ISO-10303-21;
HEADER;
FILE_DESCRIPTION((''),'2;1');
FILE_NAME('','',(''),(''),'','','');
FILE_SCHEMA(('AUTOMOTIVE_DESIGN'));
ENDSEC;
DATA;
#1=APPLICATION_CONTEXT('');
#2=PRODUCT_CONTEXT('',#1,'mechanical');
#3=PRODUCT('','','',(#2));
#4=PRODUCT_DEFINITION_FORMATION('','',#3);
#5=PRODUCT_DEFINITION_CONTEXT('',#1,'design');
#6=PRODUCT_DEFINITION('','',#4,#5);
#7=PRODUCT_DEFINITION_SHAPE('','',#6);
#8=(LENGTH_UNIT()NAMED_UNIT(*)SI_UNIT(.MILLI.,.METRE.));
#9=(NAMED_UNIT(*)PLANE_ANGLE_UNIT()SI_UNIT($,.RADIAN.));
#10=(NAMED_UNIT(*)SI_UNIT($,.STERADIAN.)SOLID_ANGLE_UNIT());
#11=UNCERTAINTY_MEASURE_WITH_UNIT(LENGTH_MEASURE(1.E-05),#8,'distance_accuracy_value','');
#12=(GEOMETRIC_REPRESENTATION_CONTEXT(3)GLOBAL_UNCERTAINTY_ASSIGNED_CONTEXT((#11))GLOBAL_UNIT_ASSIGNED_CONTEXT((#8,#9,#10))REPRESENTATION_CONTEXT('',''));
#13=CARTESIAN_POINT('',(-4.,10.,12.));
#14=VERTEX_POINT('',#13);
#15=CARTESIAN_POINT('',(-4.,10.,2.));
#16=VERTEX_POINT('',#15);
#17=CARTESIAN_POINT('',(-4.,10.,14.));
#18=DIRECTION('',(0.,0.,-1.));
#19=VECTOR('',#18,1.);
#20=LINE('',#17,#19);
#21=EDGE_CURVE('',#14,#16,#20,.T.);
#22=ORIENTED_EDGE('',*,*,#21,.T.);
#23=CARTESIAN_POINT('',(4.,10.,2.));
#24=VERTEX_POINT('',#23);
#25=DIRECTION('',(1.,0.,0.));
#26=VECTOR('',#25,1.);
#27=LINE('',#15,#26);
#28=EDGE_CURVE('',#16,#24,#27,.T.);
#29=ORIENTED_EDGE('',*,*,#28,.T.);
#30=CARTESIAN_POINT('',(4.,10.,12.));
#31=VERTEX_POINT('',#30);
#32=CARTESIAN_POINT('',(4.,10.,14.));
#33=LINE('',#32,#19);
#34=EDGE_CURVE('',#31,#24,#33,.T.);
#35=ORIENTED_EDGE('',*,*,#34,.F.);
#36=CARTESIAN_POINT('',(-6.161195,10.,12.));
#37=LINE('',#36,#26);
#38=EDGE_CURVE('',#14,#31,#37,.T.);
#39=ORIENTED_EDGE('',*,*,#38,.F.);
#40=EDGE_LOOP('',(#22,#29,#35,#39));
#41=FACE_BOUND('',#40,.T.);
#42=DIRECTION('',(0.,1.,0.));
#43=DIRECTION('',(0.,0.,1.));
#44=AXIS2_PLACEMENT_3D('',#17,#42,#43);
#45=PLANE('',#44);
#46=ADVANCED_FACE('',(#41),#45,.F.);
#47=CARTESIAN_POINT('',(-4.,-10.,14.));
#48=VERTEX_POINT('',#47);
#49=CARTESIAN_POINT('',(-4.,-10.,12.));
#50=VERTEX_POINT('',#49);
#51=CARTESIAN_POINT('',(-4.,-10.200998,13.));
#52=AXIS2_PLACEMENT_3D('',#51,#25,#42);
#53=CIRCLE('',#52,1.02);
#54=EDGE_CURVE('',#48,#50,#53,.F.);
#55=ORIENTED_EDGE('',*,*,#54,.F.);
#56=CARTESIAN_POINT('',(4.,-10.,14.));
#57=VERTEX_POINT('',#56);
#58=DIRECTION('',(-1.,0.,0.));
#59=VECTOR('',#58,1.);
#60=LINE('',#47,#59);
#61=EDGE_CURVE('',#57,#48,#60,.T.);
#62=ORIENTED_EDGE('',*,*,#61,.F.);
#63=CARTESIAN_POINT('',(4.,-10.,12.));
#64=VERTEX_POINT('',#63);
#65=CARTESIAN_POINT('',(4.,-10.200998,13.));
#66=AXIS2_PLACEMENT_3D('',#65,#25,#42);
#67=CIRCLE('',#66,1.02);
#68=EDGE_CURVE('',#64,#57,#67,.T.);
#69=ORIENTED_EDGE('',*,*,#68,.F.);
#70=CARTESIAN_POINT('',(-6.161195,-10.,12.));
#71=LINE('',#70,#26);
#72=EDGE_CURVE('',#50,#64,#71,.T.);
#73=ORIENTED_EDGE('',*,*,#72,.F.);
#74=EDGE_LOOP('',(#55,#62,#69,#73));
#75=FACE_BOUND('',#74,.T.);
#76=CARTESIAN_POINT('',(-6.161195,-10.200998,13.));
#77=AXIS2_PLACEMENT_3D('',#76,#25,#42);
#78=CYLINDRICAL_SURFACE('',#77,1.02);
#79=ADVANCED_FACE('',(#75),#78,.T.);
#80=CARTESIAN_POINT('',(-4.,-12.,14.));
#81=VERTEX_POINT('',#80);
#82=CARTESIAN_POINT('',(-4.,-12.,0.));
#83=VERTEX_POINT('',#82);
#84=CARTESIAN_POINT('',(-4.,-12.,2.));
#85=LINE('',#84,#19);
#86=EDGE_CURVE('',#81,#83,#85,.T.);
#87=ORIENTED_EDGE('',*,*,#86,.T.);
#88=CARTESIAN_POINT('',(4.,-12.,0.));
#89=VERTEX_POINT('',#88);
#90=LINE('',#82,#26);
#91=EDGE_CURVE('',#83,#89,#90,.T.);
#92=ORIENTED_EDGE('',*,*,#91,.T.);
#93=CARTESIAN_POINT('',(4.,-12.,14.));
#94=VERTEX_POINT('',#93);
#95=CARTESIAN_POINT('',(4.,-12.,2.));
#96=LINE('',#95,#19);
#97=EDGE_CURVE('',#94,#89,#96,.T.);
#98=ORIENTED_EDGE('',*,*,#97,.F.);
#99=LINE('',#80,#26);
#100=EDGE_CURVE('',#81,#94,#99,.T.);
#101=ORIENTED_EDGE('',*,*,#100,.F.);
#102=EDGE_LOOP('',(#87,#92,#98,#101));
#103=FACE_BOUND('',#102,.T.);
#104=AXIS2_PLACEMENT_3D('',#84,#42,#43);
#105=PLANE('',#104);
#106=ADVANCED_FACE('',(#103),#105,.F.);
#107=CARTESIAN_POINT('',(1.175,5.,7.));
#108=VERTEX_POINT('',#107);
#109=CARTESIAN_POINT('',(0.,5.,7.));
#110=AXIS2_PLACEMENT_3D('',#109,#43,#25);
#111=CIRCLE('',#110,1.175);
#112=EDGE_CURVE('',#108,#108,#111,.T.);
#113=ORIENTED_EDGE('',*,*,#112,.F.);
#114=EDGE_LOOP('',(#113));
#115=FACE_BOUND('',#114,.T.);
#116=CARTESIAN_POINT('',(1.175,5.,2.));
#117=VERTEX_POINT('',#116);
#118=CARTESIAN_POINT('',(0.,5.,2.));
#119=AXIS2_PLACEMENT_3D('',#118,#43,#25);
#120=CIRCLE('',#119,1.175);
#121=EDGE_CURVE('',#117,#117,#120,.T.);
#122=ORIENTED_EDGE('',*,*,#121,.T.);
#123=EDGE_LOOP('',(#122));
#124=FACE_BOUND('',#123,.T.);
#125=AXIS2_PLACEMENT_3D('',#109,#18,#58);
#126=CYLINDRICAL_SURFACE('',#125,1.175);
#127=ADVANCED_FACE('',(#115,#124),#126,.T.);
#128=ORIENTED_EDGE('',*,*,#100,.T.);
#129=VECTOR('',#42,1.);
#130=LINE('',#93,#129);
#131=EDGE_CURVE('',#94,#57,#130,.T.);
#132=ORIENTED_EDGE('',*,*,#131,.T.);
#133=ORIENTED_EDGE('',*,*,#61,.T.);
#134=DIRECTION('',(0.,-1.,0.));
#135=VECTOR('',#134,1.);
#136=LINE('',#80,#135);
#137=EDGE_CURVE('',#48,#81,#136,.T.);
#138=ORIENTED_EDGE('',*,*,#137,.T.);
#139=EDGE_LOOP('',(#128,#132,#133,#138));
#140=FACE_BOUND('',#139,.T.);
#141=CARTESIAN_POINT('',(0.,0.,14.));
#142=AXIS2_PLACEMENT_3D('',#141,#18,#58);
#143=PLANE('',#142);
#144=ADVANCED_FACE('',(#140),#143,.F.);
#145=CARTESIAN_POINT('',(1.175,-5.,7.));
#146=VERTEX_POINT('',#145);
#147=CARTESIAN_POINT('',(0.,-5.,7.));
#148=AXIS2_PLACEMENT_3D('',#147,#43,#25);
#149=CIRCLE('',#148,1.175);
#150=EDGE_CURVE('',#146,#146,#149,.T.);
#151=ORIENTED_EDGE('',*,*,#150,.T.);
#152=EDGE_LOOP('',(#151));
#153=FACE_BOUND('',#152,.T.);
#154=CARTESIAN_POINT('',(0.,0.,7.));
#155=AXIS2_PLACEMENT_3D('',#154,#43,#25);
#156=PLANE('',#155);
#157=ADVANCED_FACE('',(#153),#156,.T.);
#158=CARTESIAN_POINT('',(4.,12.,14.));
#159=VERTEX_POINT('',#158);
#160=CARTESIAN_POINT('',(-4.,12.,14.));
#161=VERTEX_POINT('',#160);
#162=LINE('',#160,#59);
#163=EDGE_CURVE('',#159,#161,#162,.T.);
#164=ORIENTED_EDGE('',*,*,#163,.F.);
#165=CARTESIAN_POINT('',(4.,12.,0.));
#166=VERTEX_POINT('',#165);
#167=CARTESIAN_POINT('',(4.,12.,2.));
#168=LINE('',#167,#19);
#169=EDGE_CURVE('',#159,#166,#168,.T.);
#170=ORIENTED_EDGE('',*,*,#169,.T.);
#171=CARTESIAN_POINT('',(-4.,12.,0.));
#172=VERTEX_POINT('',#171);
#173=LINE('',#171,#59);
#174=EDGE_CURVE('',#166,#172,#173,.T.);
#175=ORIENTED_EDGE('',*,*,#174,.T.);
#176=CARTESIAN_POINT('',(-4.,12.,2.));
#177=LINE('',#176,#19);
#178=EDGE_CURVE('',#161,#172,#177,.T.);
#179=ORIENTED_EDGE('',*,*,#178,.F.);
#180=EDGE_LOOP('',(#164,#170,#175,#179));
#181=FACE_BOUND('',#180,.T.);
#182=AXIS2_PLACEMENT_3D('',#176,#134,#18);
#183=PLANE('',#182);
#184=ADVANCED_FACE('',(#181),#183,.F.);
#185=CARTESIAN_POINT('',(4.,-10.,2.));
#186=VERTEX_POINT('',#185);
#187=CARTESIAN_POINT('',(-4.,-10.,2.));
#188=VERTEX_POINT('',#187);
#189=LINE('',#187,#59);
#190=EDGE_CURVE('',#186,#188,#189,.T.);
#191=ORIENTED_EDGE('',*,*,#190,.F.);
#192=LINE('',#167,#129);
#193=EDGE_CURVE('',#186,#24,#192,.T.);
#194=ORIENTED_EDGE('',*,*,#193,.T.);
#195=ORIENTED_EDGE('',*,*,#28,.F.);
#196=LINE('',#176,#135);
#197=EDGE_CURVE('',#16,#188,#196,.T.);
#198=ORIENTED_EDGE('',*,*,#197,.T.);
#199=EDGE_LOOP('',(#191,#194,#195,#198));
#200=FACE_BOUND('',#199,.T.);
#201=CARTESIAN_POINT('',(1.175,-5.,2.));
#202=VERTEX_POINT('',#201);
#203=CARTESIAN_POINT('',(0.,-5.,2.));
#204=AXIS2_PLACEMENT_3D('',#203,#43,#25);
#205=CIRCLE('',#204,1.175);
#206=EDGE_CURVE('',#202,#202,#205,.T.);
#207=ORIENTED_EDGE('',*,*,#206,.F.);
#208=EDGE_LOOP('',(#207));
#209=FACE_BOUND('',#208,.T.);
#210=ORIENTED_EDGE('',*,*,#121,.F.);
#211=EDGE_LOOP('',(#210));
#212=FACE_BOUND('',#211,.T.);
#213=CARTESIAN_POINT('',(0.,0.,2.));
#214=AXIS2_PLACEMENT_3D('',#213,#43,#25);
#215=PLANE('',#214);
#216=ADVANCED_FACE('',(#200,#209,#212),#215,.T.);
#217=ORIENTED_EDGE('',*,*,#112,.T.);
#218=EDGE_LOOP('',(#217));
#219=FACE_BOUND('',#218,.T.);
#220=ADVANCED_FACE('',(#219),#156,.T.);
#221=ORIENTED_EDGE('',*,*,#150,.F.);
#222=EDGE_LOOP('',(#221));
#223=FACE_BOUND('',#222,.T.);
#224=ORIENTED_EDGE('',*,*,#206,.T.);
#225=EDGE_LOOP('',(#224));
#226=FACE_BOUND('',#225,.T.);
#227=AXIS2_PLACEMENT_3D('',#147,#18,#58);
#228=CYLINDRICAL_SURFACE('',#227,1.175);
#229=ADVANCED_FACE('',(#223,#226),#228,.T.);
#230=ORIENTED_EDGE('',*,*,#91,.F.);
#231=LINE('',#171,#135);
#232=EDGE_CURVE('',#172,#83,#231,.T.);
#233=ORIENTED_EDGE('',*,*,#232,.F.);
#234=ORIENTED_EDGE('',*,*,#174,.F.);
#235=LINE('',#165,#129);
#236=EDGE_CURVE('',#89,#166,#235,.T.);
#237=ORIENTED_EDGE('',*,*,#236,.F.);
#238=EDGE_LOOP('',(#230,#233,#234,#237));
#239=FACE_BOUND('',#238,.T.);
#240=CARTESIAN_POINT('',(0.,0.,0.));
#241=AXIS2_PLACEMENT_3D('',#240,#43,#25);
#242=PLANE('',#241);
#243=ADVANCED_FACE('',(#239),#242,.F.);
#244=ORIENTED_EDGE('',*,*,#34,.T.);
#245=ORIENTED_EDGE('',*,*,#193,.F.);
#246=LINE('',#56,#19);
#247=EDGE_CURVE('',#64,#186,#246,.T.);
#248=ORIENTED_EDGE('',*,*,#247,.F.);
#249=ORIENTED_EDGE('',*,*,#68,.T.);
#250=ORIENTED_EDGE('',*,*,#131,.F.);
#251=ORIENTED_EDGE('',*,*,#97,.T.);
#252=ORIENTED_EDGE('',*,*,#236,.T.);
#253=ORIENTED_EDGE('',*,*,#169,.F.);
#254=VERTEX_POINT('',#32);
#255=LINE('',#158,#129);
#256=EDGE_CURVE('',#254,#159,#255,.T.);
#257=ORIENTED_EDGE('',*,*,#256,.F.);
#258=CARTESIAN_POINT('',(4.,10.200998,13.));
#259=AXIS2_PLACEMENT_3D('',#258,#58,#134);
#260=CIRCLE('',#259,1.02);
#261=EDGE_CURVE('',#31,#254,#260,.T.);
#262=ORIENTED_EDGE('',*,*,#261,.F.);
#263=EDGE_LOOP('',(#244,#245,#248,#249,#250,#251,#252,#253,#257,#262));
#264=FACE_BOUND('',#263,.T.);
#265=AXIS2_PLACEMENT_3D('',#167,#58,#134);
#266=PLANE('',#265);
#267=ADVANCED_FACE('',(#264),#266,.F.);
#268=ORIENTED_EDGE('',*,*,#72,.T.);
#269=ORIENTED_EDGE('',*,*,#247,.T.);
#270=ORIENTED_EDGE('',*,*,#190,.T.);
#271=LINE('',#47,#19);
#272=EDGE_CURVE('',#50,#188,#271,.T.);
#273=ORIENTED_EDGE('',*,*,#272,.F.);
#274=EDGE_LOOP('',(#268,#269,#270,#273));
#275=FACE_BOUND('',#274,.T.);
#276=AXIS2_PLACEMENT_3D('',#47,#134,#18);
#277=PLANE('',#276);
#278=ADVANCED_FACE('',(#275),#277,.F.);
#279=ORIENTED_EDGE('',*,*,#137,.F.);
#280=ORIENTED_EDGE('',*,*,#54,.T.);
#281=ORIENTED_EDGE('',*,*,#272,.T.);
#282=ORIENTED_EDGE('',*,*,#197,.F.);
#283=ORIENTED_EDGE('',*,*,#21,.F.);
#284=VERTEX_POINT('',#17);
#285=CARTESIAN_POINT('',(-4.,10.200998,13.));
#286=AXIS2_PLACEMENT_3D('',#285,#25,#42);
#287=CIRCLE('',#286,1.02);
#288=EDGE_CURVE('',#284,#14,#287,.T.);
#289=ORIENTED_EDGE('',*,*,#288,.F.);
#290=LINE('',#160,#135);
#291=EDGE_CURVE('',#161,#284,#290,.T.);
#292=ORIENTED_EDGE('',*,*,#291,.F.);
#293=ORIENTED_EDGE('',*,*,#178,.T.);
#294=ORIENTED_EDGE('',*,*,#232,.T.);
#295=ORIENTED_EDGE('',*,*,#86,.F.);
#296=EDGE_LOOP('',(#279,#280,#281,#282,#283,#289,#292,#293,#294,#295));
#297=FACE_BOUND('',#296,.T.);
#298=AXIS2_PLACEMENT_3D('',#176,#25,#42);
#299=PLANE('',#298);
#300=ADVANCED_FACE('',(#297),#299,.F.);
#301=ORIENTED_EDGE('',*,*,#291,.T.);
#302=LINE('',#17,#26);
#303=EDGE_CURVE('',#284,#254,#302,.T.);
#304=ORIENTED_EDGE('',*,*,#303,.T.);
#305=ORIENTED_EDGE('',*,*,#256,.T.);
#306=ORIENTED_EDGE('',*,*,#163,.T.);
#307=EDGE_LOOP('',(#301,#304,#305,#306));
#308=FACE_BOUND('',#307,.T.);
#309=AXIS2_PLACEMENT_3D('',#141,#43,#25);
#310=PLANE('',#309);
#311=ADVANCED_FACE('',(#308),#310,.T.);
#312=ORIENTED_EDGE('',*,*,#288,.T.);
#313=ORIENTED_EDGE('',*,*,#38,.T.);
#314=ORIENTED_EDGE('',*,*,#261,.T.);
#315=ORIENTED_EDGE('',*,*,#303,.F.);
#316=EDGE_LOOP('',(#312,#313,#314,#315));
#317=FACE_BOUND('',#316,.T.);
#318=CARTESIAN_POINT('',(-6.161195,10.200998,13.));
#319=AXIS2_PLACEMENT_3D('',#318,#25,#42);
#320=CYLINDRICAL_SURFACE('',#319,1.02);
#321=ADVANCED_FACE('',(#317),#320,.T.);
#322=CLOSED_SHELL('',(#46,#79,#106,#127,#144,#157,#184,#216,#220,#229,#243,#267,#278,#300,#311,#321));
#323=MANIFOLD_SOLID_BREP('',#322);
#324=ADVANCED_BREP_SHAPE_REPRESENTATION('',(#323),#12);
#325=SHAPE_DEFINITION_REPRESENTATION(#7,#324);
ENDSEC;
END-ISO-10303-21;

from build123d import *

# Parameters (mm, degrees)
SKETCH1_W           = 8
SKETCH1_H           = 24
BOSS_EXTRUDE1_DEPTH = 2
SKETCH2_W           = 8
SKETCH2_H           = 2
BOSS_EXTRUDE2_DEPTH = 12
BOSS_EXTRUDE4_DEPTH = 8
SKETCH4_R           = 1.175
BOSS_EXTRUDE5_DEPTH = 5


with BuildPart() as part:
    # Sketch1 → Boss-Extrude1 (new body)
    with BuildSketch(Plane.XY):
        Rectangle(SKETCH1_W, SKETCH1_H)
    extrude(amount=BOSS_EXTRUDE1_DEPTH)

    # Sketch2 → Boss-Extrude2 (add)
    with BuildSketch(Plane.XY.offset(2)):
        with Locations((0, 11)):
            Rectangle(SKETCH2_W, SKETCH2_H)
        with Locations((0, -11)):
            Rectangle(SKETCH2_W, SKETCH2_H)
    extrude(amount=BOSS_EXTRUDE2_DEPTH)

    # Sketch3 → Boss-Extrude4 (add)
    with BuildSketch(Plane(origin=(4, 0, 0), x_dir=(0, 0, -1), z_dir=(1, 0, 0))):
        with BuildLine():
            ThreePointArc((-12, -10), (-13, -9.180997512), (-14, -10))
            Line((-14, -10), (-12, -10))
        make_face()
        with BuildLine():
            ThreePointArc((-12, 10), (-13, 9.180997512), (-14, 10))
            Line((-14, 10), (-12, 10))
        make_face()
    extrude(amount=-BOSS_EXTRUDE4_DEPTH)

    # Sketch4 → Boss-Extrude5 (add)
    with BuildSketch(Plane.XY.offset(2)):
        with Locations((0, -5)):
            Circle(SKETCH4_R)
        with Locations((0, 5)):
            Circle(SKETCH4_R)
    extrude(amount=BOSS_EXTRUDE5_DEPTH)


solid = part.part
